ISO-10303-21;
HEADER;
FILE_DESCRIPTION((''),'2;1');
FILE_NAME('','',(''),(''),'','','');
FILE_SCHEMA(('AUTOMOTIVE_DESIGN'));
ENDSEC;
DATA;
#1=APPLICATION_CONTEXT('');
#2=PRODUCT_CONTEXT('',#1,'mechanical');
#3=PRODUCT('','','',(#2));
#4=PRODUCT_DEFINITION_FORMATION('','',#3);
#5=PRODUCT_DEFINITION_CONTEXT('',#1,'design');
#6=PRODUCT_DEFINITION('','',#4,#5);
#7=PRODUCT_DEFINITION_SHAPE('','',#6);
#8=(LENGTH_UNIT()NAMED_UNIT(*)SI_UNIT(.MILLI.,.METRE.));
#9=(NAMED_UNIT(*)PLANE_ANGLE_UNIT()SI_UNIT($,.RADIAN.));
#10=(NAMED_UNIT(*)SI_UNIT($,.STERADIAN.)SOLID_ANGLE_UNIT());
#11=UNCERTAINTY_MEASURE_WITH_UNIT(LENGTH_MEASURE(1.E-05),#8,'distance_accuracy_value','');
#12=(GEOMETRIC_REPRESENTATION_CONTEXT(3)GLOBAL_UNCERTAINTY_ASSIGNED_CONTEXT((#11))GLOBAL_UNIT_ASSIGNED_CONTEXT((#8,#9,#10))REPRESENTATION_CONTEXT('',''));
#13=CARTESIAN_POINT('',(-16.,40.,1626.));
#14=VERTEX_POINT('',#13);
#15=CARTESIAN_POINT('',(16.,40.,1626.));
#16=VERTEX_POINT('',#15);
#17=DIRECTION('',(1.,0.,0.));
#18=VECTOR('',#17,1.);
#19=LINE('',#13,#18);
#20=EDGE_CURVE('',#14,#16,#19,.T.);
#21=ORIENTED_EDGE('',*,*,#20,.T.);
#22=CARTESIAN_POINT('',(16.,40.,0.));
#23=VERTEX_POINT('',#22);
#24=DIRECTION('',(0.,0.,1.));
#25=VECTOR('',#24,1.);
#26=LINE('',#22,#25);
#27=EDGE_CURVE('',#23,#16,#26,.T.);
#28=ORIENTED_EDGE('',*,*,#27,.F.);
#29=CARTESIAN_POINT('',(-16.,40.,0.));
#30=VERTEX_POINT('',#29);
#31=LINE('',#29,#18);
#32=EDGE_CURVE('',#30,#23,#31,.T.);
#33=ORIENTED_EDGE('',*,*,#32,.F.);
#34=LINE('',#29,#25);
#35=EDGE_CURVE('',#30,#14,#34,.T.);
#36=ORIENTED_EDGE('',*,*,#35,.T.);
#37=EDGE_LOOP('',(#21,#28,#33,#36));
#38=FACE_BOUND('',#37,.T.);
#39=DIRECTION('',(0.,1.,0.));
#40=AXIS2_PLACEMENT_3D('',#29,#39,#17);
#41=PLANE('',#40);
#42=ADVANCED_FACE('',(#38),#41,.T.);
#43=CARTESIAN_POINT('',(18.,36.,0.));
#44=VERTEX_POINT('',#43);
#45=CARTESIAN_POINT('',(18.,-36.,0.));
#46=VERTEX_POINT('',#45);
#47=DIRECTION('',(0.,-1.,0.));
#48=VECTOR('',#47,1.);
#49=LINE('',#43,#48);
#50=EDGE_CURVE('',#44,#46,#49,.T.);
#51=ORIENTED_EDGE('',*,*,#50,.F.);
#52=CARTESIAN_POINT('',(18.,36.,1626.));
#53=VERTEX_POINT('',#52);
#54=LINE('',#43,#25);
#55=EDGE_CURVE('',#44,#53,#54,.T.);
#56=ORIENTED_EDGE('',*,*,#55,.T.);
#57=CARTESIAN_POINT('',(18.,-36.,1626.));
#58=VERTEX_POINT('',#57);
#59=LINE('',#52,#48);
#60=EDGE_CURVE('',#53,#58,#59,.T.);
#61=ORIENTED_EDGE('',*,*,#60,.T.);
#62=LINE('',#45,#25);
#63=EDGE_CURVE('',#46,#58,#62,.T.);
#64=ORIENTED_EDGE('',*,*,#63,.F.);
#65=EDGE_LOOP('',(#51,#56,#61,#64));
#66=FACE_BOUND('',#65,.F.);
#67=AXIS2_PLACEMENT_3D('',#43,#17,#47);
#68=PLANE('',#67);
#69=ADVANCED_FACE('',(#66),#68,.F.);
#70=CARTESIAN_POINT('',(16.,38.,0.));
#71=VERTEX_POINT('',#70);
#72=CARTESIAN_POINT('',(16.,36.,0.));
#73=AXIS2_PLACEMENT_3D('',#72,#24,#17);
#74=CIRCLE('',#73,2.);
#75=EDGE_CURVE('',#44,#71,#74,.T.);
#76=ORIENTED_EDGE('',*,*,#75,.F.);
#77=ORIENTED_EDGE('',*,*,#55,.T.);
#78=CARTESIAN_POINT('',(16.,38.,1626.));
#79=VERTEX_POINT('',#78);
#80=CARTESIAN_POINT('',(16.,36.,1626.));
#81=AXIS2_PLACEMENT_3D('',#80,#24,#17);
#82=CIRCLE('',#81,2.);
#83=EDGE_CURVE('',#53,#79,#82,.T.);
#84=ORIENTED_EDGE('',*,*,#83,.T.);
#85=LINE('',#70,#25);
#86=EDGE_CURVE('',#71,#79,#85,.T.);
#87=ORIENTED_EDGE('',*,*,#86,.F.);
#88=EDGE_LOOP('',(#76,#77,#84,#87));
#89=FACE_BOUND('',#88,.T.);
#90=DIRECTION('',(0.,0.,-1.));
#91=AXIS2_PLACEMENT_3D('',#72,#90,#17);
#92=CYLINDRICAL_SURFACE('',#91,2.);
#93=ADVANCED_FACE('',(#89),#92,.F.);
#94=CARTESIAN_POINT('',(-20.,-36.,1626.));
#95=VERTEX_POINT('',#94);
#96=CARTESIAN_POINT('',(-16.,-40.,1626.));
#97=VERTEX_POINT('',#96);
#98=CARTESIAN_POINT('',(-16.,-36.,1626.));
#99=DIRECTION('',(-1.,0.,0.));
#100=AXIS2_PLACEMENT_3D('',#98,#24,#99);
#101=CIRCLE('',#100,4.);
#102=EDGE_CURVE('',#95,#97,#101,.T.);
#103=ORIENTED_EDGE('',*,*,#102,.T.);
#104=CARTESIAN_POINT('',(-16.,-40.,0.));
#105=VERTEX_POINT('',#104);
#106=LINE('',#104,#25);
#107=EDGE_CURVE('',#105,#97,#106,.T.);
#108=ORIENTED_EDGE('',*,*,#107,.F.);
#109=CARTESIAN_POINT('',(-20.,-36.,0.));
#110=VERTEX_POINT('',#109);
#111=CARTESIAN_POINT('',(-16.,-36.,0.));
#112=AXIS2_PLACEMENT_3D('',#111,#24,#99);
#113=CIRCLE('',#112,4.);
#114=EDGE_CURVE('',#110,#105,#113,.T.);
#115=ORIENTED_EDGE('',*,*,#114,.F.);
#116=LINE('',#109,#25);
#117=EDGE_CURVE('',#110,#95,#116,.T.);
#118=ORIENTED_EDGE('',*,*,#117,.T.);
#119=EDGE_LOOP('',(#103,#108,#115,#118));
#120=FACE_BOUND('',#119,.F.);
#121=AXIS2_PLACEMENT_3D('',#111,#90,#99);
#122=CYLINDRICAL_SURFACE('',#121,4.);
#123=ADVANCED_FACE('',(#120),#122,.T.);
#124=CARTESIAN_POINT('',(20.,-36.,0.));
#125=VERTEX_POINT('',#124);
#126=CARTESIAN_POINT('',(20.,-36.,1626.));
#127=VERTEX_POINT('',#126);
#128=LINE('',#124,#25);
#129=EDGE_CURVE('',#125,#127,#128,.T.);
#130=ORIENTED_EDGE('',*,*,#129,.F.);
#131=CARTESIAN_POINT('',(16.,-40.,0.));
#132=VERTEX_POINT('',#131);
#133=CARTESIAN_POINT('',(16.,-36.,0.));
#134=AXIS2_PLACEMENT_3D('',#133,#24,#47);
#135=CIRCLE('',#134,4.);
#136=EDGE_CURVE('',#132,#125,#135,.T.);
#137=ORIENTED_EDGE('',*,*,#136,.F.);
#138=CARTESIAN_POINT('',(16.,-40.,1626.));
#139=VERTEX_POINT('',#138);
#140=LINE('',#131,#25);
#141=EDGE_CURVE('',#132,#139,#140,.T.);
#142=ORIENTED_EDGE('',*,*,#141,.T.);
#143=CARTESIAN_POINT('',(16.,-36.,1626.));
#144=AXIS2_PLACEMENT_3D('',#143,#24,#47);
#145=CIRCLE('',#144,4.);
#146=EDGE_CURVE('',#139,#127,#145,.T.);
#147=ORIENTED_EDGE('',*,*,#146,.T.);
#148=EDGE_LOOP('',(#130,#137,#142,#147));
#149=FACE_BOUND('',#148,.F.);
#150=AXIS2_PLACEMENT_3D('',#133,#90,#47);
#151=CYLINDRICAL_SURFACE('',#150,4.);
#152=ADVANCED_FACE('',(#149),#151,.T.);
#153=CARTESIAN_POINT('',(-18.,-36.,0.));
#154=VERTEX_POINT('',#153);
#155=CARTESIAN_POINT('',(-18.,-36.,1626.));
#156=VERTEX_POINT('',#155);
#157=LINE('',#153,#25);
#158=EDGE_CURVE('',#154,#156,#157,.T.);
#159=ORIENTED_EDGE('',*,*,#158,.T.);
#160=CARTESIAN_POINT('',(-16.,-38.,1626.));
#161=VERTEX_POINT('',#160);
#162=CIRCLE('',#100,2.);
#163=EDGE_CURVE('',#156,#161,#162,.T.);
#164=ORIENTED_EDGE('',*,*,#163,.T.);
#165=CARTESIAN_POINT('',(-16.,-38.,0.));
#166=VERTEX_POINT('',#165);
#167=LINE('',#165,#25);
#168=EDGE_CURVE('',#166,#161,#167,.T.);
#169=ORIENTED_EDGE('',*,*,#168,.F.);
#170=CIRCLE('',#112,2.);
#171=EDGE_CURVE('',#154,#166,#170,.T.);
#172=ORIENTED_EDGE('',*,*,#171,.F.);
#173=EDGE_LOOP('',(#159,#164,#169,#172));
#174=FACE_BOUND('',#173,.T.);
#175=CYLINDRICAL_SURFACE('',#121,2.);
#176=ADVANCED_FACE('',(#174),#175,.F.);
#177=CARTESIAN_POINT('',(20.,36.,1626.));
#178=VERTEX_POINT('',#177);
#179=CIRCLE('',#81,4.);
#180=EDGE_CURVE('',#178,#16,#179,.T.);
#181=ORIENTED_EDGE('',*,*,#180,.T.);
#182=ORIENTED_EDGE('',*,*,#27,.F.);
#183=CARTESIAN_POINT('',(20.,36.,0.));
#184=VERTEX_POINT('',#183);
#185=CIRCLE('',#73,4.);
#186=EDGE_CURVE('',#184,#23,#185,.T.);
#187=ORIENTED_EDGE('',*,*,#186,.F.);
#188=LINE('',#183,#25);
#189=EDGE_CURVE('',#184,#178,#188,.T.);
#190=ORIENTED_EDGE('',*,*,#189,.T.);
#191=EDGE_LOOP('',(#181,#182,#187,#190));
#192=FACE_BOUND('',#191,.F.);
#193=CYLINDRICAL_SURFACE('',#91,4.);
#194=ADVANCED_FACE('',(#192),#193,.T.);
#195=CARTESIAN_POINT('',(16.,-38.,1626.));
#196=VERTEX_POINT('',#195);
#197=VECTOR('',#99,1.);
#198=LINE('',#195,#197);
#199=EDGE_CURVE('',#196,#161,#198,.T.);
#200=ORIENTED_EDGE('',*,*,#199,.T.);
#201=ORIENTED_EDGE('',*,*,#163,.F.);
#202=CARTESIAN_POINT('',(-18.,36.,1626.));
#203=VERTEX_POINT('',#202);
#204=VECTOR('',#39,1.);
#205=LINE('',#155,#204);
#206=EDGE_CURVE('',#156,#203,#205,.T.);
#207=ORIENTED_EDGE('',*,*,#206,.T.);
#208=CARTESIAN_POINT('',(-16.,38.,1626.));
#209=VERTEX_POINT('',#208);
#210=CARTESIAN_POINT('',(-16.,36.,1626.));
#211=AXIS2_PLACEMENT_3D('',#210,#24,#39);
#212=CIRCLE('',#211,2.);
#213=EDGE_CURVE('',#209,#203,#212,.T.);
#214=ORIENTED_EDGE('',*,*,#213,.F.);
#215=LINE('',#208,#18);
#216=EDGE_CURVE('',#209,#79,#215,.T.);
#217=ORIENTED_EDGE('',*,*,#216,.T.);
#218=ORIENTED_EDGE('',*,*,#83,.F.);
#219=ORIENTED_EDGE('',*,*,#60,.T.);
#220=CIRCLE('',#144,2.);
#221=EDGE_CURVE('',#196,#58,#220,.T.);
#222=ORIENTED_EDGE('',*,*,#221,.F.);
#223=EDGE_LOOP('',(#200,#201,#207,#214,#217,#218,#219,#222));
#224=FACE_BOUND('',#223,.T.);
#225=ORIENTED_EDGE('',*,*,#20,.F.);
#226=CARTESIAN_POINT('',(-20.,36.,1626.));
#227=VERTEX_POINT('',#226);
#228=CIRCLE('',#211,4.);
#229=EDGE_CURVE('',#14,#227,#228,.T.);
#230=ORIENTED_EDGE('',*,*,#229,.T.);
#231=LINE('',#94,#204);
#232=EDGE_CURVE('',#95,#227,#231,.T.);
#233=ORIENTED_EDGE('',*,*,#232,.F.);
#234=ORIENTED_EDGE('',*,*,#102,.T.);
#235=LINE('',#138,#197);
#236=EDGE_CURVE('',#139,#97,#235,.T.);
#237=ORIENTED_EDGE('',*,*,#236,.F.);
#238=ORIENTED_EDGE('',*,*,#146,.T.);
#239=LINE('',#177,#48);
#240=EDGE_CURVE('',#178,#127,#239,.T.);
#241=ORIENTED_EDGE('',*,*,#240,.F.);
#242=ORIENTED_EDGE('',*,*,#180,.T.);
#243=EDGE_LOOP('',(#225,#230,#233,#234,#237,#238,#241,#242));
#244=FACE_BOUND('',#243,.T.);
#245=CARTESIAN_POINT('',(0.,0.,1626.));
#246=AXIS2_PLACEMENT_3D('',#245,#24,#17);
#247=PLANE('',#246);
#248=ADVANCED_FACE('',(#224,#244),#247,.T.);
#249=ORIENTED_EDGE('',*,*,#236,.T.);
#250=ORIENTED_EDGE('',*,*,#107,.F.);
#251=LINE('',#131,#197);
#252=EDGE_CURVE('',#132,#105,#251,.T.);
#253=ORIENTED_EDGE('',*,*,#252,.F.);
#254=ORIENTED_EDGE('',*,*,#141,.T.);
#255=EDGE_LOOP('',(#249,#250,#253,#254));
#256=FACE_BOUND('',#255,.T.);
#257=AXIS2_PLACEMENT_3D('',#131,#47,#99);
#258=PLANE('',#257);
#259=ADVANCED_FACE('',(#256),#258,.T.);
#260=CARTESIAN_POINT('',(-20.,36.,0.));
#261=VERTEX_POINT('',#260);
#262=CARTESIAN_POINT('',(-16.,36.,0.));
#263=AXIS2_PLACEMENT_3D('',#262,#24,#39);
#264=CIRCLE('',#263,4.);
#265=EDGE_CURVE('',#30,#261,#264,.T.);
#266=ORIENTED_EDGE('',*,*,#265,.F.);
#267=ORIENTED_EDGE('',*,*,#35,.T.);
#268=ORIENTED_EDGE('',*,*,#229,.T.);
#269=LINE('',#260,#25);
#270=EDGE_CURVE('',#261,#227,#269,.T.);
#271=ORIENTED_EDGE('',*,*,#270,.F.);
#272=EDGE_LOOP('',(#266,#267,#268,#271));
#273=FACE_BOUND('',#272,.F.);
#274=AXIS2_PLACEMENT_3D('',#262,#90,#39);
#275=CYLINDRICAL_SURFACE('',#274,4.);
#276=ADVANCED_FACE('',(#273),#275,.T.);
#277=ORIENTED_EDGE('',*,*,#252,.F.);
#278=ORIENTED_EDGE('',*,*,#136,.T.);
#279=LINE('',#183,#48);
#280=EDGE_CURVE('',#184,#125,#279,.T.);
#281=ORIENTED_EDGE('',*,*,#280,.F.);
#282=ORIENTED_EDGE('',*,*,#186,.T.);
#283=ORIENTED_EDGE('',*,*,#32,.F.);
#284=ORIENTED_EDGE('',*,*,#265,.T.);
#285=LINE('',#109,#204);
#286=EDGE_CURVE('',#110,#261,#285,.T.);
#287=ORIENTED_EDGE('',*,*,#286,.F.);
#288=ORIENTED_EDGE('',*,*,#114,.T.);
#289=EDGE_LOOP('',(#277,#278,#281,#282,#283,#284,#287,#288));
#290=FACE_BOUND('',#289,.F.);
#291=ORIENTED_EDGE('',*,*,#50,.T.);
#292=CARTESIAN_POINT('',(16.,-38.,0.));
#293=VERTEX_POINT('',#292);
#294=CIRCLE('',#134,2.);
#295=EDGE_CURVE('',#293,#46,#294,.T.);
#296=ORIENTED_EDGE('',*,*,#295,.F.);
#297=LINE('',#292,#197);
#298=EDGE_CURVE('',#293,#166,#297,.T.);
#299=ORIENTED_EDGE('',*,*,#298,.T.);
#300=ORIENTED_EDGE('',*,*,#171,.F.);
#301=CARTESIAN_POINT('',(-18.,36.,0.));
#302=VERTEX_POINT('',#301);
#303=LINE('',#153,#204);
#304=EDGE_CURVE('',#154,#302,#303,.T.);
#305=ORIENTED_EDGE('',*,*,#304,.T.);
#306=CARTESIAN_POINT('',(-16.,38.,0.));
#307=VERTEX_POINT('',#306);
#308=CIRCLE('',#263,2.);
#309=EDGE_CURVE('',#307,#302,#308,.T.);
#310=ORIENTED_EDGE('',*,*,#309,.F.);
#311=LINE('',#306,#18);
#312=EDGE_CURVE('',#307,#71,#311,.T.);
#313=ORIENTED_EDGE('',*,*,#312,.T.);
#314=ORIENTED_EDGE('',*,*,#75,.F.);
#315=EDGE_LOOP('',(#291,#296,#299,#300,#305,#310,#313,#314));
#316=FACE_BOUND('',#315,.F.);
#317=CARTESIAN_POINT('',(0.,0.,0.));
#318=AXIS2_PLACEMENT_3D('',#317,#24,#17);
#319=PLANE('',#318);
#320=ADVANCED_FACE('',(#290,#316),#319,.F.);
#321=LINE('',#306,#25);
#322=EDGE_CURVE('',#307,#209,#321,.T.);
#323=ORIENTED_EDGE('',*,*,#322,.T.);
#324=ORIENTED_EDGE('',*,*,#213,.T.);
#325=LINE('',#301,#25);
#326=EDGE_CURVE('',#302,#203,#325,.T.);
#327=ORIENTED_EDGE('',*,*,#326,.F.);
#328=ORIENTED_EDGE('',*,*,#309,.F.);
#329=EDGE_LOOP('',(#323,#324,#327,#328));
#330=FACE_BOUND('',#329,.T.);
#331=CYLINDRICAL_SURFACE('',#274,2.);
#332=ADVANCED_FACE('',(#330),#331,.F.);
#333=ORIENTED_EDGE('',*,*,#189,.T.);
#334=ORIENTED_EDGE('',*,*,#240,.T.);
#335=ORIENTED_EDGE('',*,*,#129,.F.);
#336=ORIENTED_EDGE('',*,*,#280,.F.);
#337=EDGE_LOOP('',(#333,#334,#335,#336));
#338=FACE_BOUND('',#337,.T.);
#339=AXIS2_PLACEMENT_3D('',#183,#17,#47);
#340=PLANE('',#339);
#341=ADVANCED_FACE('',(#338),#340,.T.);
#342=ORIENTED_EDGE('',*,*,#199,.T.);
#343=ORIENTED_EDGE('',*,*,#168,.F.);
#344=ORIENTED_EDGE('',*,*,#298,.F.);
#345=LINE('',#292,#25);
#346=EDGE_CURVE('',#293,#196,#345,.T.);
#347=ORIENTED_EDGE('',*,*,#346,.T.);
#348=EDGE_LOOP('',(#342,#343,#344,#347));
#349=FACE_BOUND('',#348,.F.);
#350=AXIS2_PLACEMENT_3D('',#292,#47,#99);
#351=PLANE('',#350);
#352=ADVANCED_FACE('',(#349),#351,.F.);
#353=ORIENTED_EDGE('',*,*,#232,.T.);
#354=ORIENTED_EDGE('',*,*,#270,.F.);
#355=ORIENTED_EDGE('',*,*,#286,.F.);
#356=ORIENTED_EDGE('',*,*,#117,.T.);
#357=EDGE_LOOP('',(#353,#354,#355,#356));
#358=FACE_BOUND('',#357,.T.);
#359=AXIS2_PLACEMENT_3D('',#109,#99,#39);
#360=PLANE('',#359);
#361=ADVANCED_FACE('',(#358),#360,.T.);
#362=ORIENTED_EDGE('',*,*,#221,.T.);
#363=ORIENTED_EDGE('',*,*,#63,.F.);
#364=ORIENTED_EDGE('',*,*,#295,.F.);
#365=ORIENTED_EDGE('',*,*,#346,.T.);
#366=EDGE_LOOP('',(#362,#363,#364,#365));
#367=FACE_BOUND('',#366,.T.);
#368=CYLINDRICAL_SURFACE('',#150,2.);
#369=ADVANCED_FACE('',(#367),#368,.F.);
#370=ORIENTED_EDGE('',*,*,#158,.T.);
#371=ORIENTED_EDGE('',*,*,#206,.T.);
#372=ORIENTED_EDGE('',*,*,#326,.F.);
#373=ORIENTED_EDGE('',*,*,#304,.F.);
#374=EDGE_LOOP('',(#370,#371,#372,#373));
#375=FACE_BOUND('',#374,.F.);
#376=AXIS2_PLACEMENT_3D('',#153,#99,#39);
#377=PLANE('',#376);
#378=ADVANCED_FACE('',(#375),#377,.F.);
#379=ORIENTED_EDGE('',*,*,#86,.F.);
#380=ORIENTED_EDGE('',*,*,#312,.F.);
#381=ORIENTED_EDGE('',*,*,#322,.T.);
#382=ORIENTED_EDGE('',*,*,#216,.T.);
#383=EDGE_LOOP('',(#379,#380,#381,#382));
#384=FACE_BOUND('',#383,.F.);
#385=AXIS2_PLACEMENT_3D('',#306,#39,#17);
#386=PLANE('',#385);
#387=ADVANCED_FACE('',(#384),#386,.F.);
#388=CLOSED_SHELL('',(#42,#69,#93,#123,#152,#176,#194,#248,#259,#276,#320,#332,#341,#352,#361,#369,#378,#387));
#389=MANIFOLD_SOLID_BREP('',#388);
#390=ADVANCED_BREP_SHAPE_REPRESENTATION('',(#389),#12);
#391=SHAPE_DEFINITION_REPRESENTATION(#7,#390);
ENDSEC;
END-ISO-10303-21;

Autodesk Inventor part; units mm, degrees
ref_plane "YZ Plane" through (0, 0, 0) normal (1, 0, 0) x (0, 1, 0)
ref_plane "Start Plane" through (0, 0, 0) normal (0, 0, 1) x (1, 0, 0)
ref_plane "End Plane" through (0, 0, 1626) normal (0, 0, 1) x (1, 0, 0)
sketch "Sketch" plane through (0, 0, 0) normal (0, 0, 1) x (1, 0, 0)
  line L0 (-20, -36) -> (-20, 36)
  line L1 (-16, 40) -> (16, 40)
  line L2 (20, 36) -> (20, -36)
  line L3 (16, -40) -> (-16, -40)
  arc A0 (-20, -36) -> (-16, -40) centre (-16, -36) ccw
  arc A1 (20, 36) -> (16, 40) centre (16, 36) ccw
  arc A2 (-16, 40) -> (-20, 36) centre (-16, 36) ccw
  arc A3 (16, -40) -> (20, -36) centre (16, -36) ccw
  arc A4 (-16, 38) -> (-18, 36) centre (-16, 36) ccw
  line L4 (-16, 38) -> (16, 38)
  arc A5 (18, 36) -> (16, 38) centre (16, 36) ccw
  line L5 (18, 36) -> (18, -36)
  arc A6 (16, -38) -> (18, -36) centre (16, -36) ccw
  line L6 (16, -38) -> (-16, -38)
  arc A7 (-18, -36) -> (-16, -38) centre (-16, -36) ccw
  line L7 (-18, -36) -> (-18, 36)
  line L8 (0, 57.1598) -> (0, -57.1598) construction
  line L9 (-29.1598, 0) -> (29.1598, 0) construction
  dimension "d7" = 4
  dimension "d9" = 40
  dimension "d11" = 80
  dimension "d12" = 2
  dimension "d15" = 20
  dimension "d16" = 40
extrude "Body" add sketch "Sketch" along normal up to surface (1626 mm away) from surface at 0
sketch "Sketch3" plane through (0, 0, 0) normal (0, 0, 1) x (1, 0, 0)
  line L0 (0, 0) -> (10, 0)
ref_plane "Work Plane3" through (0, 0, 0) normal (0, -1, 0) x (1, 0, 0)
sketch "Sketch4" plane through (0, 0, 0) normal (0, -1, 0) x (1, 0, 0)
  line L0 (-2, 0) -> (12, 0) projected
  line L1 (-2, 1626) -> (12, 1626) projected
  dimension "d18" = 1626
equation "\"d7\" = G_IR"
equation "\"d9\" = G_W"
equation "\"d11\" = G_H"
equation "\"d12\" = G_T"
equation "\"d15\" = 0.5 * d9"
equation "\"d16\" = 0.5 * d11"
equation "\"d3\" = G_L"
equation "\"G_W\" = 40"
equation "\"G_H\" = 80"
equation "\"G_T\" = 2"
equation "\"G_IR\" = 4"
equation "\"G_L\" = d18"
equation "\"G_OFFSET_START\" = 0"
equation "\"G_OFFSET_END\" = 0"
equation "\"d14\" = G_OFFSET_END + B_L"
equation "\"B_L\" = 1626"
properties part number "ISO 4019 - 80x40x2 - 1626" material "Steel, Mild"
